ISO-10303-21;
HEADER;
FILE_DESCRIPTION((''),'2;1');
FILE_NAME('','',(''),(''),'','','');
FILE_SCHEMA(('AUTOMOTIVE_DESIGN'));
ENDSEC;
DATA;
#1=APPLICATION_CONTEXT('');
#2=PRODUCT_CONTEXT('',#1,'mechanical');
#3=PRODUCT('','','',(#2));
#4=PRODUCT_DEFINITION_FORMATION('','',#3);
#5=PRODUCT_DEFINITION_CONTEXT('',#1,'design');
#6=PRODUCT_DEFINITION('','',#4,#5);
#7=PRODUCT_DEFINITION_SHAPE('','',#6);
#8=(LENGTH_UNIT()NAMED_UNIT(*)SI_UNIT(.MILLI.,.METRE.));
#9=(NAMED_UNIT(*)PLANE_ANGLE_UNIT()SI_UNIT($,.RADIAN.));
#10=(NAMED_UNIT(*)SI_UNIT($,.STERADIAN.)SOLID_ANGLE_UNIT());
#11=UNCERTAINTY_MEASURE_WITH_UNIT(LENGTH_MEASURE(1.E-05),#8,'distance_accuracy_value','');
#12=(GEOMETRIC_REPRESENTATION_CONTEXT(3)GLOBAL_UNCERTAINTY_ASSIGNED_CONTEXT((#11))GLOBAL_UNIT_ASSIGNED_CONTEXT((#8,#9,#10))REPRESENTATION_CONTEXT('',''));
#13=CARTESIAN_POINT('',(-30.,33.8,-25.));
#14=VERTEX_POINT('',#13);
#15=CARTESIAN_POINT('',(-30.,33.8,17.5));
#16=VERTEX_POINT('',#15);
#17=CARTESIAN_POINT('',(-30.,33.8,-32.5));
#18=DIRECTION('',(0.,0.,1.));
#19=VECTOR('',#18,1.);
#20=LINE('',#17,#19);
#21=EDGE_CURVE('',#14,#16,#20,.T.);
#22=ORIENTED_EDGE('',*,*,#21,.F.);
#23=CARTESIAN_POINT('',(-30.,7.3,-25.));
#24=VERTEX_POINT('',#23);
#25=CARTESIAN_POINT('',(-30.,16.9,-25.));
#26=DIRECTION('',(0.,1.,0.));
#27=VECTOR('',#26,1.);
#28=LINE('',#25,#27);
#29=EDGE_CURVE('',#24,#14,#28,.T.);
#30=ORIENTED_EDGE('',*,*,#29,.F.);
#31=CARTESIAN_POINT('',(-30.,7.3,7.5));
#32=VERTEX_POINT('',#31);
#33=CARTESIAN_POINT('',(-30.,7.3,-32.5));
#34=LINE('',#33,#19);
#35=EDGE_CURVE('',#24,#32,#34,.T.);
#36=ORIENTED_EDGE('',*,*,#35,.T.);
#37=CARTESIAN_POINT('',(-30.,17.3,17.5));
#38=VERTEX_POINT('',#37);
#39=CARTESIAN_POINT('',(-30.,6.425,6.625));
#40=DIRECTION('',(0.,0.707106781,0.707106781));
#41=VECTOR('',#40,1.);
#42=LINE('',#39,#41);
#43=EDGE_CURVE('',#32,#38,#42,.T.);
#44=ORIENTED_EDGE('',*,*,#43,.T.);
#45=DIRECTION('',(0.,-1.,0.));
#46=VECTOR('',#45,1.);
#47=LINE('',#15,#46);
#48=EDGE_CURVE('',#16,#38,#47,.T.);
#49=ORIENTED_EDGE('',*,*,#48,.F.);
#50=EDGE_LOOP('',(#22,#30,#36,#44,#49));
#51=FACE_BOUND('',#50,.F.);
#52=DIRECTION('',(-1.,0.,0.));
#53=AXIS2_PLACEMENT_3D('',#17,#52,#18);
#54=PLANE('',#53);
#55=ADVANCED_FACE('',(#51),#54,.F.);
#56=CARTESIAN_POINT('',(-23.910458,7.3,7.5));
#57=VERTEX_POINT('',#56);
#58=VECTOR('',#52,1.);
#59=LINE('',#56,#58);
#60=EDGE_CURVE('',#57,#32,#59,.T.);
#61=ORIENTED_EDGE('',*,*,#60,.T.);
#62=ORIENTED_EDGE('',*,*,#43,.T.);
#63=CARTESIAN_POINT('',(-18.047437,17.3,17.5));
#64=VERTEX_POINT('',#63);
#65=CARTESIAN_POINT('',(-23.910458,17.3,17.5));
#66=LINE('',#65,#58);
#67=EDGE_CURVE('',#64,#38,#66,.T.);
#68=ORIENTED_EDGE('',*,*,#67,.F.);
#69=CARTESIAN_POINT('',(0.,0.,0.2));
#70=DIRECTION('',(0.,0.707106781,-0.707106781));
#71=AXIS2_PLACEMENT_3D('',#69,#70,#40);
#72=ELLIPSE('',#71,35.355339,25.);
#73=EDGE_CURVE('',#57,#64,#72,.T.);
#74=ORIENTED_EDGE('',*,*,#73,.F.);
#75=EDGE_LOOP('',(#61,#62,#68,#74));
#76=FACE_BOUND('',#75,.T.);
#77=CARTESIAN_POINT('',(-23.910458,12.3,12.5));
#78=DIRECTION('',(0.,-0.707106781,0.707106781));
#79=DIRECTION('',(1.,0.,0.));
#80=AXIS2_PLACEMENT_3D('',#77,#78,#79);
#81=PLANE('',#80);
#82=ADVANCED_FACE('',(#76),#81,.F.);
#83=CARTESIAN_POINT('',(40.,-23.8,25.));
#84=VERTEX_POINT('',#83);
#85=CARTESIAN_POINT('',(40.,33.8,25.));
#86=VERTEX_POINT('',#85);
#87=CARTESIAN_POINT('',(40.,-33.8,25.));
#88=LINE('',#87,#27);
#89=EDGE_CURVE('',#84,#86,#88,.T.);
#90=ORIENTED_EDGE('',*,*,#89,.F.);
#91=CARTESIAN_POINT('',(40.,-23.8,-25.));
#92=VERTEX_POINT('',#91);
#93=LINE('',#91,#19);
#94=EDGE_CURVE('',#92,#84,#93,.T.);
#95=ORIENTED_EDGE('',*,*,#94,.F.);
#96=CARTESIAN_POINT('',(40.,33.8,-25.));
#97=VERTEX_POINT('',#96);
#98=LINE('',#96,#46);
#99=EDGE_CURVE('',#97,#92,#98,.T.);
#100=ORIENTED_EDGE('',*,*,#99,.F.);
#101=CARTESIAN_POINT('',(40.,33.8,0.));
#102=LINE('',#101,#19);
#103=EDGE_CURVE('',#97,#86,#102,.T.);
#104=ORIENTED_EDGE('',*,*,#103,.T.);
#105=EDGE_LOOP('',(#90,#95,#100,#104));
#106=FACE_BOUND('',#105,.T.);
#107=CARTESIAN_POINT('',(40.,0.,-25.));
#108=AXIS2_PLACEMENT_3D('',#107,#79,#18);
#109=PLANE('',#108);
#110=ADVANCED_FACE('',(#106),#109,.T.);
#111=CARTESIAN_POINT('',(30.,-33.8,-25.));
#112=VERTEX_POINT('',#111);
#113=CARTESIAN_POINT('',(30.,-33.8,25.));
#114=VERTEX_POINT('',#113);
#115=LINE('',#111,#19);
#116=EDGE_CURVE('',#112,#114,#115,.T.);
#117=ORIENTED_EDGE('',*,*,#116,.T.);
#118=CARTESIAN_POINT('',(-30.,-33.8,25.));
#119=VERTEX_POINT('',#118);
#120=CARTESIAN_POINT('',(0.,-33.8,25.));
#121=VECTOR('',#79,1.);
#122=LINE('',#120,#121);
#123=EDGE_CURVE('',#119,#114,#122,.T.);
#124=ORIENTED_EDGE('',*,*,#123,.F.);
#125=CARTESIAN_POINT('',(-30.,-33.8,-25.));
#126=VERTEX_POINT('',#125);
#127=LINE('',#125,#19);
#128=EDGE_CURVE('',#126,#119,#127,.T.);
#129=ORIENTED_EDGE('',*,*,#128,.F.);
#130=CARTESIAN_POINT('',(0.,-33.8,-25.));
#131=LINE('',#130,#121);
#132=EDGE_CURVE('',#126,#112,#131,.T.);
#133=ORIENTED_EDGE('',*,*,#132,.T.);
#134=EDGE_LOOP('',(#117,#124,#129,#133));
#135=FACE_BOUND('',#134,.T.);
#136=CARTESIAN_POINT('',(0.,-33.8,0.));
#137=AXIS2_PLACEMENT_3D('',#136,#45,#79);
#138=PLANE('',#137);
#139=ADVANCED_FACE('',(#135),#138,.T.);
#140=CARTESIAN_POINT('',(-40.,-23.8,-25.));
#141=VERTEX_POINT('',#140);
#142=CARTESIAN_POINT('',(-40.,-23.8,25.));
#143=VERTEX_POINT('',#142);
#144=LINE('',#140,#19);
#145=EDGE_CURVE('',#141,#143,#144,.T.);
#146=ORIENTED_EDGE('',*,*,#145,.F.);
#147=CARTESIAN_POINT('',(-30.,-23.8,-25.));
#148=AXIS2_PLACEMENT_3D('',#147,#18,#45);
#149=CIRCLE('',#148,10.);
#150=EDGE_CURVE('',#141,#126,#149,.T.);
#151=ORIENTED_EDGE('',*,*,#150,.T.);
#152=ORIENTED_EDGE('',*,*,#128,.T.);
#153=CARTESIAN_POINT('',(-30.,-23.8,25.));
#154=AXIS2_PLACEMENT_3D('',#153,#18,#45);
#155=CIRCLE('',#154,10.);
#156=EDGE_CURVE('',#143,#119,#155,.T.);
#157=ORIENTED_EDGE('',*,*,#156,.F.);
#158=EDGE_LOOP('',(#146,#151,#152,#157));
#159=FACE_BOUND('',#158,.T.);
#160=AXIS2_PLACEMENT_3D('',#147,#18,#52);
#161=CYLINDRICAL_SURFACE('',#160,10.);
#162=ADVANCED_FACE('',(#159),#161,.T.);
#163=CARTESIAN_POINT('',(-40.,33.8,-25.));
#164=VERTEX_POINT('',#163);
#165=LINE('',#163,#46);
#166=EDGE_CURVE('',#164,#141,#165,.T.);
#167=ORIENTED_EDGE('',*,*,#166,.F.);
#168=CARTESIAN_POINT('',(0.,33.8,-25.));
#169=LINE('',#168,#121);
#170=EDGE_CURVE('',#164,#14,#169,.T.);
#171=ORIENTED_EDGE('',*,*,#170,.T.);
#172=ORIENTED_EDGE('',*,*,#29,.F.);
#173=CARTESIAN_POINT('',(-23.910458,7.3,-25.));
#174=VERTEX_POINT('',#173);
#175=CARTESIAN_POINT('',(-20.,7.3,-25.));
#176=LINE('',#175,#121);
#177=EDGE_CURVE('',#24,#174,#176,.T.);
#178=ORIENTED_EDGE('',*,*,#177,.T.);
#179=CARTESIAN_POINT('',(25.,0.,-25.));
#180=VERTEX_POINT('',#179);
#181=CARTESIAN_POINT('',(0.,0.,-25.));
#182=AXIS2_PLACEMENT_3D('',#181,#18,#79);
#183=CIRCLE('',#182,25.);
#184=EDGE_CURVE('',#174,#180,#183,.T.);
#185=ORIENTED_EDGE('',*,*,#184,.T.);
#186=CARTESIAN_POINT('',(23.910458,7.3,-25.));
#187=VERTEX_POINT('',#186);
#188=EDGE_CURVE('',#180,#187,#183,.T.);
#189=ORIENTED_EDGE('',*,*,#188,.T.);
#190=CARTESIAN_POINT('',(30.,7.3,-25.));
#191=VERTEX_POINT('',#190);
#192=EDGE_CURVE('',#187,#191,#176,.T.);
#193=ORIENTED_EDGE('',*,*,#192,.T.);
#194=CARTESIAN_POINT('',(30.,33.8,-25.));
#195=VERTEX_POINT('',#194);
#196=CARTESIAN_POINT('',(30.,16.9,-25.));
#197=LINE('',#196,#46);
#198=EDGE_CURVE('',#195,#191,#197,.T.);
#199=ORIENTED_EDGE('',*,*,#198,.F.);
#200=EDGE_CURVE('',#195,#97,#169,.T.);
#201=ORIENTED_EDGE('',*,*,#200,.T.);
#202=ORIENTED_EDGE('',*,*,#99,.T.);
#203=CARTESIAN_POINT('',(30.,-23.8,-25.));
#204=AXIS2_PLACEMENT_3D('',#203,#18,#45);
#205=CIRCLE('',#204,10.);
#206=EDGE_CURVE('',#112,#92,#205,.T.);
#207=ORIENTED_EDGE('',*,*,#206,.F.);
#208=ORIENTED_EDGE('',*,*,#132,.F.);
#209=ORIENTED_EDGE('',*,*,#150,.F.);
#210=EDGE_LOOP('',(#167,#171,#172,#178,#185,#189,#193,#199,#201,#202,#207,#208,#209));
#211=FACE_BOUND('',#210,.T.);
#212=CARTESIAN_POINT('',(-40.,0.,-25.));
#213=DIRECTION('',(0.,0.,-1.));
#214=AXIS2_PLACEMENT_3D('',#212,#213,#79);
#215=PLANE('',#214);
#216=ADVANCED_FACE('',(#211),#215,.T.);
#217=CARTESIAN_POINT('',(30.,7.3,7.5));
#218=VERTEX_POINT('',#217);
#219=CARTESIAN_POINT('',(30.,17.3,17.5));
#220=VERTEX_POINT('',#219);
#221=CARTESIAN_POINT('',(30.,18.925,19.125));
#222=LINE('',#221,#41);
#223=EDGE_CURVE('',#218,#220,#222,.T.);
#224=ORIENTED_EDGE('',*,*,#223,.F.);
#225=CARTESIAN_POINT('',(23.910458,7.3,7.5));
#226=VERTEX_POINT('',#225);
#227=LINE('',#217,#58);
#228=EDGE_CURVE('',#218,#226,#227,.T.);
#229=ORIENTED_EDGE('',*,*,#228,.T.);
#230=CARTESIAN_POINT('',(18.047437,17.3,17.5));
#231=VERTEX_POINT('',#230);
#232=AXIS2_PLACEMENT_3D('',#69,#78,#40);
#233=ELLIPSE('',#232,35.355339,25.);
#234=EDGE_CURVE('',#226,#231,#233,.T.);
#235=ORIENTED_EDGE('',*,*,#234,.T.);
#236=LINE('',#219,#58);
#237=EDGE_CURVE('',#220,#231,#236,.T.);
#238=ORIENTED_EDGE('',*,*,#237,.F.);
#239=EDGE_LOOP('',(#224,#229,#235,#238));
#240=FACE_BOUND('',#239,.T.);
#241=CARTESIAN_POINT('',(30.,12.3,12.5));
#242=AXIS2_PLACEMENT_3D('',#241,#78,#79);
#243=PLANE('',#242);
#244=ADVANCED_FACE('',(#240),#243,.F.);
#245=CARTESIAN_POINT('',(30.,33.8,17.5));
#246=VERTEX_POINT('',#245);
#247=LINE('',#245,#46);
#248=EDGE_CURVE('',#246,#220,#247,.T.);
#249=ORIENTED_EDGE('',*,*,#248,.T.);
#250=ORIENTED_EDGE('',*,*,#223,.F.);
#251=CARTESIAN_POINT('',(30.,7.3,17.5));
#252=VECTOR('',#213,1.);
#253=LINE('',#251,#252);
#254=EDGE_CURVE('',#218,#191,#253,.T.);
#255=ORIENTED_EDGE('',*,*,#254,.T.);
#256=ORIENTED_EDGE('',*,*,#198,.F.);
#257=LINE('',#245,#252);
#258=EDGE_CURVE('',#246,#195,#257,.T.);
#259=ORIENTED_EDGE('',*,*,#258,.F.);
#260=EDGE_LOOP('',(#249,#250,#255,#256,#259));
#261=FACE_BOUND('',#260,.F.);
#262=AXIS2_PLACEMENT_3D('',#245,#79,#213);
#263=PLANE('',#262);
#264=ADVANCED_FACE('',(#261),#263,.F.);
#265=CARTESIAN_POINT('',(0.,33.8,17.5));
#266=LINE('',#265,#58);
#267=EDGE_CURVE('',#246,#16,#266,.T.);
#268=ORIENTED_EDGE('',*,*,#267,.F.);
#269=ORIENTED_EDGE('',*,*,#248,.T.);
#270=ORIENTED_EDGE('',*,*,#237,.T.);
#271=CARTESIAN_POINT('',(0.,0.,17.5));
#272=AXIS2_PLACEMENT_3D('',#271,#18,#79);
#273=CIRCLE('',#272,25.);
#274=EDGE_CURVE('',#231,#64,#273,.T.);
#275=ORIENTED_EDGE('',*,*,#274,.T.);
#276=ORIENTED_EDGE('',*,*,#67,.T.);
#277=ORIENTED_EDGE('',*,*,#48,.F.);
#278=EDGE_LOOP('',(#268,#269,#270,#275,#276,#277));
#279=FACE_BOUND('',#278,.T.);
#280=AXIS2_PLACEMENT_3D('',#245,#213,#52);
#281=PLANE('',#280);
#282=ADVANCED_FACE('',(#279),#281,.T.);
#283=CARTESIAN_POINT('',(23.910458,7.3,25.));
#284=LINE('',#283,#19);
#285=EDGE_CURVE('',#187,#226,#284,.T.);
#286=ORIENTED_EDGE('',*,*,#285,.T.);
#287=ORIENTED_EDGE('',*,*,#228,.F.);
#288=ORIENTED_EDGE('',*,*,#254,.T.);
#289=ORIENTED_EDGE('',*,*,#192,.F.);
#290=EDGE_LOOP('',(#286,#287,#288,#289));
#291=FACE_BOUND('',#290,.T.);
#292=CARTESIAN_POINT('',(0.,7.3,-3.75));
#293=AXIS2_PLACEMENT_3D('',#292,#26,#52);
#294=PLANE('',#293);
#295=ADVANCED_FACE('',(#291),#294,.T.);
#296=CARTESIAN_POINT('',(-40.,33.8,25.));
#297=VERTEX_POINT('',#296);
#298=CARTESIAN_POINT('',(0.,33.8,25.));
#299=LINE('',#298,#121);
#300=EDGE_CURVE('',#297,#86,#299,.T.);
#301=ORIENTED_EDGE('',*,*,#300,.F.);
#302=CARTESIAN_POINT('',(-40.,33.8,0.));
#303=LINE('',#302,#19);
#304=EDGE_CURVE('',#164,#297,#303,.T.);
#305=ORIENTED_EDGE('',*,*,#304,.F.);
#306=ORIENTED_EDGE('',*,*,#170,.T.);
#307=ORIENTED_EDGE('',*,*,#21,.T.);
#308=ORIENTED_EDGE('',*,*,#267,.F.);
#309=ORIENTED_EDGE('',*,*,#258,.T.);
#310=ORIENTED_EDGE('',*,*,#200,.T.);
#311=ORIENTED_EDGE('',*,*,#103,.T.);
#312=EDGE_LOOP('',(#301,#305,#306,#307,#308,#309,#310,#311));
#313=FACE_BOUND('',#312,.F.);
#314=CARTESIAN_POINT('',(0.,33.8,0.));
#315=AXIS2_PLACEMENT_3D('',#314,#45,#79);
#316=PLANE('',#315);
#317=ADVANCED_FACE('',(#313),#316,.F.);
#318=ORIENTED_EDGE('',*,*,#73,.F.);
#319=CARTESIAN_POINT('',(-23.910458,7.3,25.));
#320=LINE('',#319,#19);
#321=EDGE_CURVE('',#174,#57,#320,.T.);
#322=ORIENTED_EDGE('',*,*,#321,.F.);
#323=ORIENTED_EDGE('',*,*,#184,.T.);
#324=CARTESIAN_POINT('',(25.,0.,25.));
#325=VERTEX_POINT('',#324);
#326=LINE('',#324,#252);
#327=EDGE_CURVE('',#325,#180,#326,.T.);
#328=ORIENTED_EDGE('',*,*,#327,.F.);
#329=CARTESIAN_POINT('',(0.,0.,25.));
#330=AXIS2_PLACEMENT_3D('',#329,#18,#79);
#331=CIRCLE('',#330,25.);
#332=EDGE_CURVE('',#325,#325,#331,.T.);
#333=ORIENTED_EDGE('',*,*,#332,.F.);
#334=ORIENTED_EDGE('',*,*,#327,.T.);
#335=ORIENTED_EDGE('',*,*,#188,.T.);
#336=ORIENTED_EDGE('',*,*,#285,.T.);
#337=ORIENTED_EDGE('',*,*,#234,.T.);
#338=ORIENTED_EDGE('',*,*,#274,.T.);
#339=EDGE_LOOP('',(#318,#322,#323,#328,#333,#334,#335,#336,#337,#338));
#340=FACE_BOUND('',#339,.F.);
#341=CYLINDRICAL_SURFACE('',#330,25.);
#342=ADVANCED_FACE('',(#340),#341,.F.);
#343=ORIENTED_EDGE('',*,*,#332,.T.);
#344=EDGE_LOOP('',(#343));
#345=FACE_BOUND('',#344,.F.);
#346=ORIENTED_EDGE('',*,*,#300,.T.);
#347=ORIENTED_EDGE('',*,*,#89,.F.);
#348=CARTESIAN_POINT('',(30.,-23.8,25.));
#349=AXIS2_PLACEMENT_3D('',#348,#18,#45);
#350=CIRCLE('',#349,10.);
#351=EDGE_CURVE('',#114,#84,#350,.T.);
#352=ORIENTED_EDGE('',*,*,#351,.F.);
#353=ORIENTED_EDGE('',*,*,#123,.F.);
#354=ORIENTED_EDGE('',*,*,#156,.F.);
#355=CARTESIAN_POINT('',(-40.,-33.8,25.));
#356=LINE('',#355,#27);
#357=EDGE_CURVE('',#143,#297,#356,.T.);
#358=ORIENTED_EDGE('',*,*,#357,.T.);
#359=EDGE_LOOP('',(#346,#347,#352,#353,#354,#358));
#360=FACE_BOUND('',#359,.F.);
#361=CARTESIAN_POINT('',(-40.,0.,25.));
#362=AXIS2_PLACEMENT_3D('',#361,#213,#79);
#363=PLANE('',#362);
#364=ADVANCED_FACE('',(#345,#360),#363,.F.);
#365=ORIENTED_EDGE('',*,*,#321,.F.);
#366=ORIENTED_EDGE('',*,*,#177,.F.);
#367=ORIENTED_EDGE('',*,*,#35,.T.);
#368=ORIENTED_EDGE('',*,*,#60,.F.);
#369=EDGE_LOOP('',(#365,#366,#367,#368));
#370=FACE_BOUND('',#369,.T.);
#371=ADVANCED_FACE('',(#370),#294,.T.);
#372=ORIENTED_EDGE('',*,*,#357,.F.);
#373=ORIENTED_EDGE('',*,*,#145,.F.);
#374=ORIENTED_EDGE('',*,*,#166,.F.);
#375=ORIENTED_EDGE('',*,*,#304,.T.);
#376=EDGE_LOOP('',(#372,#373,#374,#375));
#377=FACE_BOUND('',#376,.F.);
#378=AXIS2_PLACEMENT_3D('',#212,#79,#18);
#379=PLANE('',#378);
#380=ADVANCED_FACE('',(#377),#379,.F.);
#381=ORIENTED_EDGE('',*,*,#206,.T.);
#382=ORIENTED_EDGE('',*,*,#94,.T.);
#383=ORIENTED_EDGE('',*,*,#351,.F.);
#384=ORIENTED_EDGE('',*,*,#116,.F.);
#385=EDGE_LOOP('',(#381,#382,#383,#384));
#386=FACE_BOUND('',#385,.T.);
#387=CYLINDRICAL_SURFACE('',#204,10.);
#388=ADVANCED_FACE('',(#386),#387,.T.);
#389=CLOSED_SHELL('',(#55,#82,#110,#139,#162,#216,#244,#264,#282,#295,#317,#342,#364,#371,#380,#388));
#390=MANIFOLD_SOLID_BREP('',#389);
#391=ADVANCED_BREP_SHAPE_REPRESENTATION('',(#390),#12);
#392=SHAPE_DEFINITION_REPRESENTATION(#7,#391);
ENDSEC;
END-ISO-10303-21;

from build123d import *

# Parameters (mm, degrees)
F0_W     = 80
F0_H     = 50
F1_DEPTH = 33.8
F2_R     = 25
F3_DEPTH = 104.1
F4_R     = 10
F5_W     = 60
F5_H     = 42.5
F5_H_2   = 7.5
F6_DEPTH = 26.5
F7_SIZE  = 10


with BuildPart() as f1:
    # F0 (on Front) → F1 (new body, symmetric)
    with BuildSketch(Plane.XZ):
        Rectangle(F0_W, F0_H)
    extrude(amount=F1_DEPTH, both=True)

    # F2 (on face) → F3 (cut)
    with BuildSketch(Plane.XY.offset(25)):
        Circle(F2_R)
    extrude(amount=-F3_DEPTH, mode=Mode.SUBTRACT)

    # F4
    f4_edges = [f1.edges().sort_by_distance(p)[0] for p in [
        (40, -33.8, 0),
        (-40, -33.8, 0),
    ]]
    fillet(f4_edges, radius=F4_R)

    # F5 (on face) → F6 (cut)
    with BuildSketch(Plane(origin=(0, 33.8, 0), x_dir=(-1, 0, 0), z_dir=(0, 1, 0))):
        with Locations((0, -3.75)):
            Rectangle(F5_W, F5_H)
        with Locations((0, -28.75)):
            Rectangle(F5_W, F5_H_2)
    extrude(amount=-F6_DEPTH, mode=Mode.SUBTRACT)

    # F7
    f7_edges = [f1.edges().sort_by_distance(p)[0] for p in [
        (26.955229, 7.3, 17.5),
        (-26.955229, 7.3, 17.5),
    ]]
    chamfer(f7_edges, length=F7_SIZE)


solid = f1.part
